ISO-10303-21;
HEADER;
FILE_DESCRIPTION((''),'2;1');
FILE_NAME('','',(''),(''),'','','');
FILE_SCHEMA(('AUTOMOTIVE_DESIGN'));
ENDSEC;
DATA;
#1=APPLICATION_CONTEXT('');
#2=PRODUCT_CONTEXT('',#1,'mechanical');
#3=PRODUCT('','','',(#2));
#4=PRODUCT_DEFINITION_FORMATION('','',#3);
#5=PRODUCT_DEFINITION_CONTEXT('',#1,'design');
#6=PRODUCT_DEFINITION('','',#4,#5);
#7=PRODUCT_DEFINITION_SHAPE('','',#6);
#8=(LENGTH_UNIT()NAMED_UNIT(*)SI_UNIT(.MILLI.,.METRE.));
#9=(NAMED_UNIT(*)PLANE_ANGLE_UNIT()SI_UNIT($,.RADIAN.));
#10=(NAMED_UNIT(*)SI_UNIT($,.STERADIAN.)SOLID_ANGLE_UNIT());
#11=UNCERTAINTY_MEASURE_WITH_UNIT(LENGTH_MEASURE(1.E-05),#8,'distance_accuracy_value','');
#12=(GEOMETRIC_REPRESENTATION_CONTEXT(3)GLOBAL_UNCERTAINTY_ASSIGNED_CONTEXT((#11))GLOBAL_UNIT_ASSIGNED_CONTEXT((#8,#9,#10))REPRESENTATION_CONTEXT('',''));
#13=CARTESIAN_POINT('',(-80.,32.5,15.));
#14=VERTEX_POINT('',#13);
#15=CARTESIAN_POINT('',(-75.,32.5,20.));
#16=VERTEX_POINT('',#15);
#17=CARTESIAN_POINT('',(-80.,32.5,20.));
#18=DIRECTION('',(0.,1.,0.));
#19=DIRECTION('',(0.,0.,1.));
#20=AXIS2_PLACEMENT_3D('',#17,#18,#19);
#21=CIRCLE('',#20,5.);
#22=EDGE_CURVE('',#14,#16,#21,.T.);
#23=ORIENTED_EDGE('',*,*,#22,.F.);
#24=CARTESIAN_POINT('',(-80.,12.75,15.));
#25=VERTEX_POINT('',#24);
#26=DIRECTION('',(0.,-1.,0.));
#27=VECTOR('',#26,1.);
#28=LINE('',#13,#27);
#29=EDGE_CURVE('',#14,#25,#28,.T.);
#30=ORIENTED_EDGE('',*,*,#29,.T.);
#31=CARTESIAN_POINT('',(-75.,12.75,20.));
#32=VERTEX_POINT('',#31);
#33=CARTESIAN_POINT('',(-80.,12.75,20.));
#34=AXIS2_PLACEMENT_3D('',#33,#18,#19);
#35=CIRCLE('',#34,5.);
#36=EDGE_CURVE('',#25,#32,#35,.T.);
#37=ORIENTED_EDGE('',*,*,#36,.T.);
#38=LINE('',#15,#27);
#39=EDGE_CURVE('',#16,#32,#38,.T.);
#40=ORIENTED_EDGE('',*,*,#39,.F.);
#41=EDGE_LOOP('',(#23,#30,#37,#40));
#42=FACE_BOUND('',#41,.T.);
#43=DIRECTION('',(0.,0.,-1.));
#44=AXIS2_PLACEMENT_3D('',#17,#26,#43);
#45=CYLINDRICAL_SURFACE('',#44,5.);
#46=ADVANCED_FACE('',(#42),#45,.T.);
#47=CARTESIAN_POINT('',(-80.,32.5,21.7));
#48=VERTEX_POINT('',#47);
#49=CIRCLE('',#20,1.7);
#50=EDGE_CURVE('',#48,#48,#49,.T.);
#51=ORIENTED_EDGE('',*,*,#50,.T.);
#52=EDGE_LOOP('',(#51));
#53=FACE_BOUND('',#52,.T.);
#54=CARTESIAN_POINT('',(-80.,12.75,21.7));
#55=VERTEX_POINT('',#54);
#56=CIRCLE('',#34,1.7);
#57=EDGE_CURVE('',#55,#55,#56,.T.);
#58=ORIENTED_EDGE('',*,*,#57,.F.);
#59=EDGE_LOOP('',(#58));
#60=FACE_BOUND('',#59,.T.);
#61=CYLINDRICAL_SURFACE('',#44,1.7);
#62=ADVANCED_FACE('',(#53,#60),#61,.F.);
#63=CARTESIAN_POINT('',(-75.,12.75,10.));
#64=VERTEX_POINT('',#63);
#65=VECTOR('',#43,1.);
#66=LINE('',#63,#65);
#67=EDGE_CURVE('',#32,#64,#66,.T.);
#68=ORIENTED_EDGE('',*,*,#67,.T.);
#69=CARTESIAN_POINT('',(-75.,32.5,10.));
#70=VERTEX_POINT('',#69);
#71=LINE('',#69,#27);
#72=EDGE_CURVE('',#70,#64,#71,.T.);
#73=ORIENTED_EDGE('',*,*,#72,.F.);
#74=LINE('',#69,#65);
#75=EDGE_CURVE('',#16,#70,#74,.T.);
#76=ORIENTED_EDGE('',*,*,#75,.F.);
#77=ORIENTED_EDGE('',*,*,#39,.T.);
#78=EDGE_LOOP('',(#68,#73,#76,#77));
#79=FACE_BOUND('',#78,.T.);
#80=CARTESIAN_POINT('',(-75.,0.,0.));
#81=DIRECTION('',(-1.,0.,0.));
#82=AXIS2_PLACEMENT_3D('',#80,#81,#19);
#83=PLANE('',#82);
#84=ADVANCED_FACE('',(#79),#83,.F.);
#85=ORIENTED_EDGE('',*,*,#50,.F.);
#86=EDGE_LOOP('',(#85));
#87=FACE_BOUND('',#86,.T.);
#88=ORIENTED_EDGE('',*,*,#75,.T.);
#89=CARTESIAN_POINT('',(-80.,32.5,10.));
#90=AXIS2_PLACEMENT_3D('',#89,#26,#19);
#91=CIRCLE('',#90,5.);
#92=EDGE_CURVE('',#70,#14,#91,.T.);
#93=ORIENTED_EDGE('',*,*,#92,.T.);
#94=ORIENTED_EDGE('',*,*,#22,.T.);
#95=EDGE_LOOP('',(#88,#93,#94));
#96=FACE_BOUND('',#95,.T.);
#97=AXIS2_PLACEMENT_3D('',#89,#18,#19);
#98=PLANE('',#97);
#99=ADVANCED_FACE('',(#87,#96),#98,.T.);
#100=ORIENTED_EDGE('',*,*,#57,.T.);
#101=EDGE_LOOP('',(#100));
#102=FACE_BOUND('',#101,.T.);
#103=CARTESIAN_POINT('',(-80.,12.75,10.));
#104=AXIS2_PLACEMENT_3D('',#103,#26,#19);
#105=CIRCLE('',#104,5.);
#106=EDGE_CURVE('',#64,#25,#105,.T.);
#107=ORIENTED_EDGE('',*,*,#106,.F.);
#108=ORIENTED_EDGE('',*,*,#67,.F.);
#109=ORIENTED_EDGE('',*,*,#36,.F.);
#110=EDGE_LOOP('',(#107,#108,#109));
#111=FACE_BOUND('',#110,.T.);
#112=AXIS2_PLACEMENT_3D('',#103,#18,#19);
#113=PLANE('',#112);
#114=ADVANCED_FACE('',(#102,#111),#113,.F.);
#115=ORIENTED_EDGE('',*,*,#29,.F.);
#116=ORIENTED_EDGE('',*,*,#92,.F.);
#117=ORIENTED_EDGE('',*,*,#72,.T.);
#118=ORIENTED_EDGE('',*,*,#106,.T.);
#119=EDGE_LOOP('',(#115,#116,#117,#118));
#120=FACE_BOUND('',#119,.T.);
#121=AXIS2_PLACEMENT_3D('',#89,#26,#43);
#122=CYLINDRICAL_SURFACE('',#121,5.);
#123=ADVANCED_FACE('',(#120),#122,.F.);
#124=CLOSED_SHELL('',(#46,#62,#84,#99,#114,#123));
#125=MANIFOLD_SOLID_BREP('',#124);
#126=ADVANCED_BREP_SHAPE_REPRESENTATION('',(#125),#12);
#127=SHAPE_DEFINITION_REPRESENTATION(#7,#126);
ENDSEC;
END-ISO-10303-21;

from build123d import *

# Parameters (mm, degrees)
BOSS_EXTRUDE1_DEPTH      = 20
SHELL1_T                 = -10
SHELL1_THICKNESS_2_DEPTH = 6
SKETCH3_R                = 32.5
CUT_EXTRUDE5_DEPTH       = 119.84864324
CUT_EXTRUDE6_DEPTH       = 119.84864324
SKETCH5_R                = 17.5
CUT_EXTRUDE7_DEPTH       = 119.84864324
SKETCH6_R                = 1.7
BOSS_EXTRUDE2_DEPTH      = 50
SKETCH6_2_R              = 1.7
CUT_EXTRUDE8_DEPTH       = 35
SKETCH9_R                = 1.7
BOSS_EXTRUDE3_DEPTH      = 32.5
SKETCH9_2_R              = 1.7
CUT_EXTRUDE10_DEPTH      = 12.75
CUT_EXTRUDE9_DEPTH       = 2
FILLET1_R                = 5
FILLET2_R                = 0.5
SKETCH10_W               = 46.141745146
SKETCH10_H               = 188.45260123
CUT_EXTRUDE11_DEPTH      = 186.270073136


with BuildPart() as part:
    # Sketch1 → Boss-Extrude1 (new body)
    with BuildSketch(Plane.XY):
        with BuildLine():
            Line((55, -90), (-55, -90))
            ThreePointArc((-55, -90), (-69.142135624, -84.142135624), (-75, -70))
            Line((-75, -70), (-75, 70))
            ThreePointArc((-75, 70), (-69.142135624, 84.142135624), (-55, 90))
            Line((-55, 90), (55, 90))
            ThreePointArc((55, 90), (69.142135624, 84.142135624), (75, 70))
            Line((75, 70), (75, -70))
            ThreePointArc((75, -70), (69.142135624, -84.142135624), (55, -90))
        make_face()
    extrude(amount=BOSS_EXTRUDE1_DEPTH)

    # Shell1
    shell1_openings = [part.faces().sort_by_distance(p)[0] for p in [
        (0, 0, 20),
    ]]
    offset(amount=SHELL1_T, openings=shell1_openings, kind=Kind.INTERSECTION)

    # Shell1 thickness 2 face (on inner face of the shell) → Shell1 thickness 2 (cut)
    with BuildSketch(Plane(origin=(0, 0, 10), x_dir=(-1, 0, 0), z_dir=(0, 0, -1))):
        with BuildLine():
            ThreePointArc((-55, -80), (-62.071067812, -77.071067812), (-65, -70))
            Line((-65, -70), (-65, 70))
            ThreePointArc((-65, 70), (-62.071067812, 77.071067812), (-55, 80))
            Line((-55, 80), (55, 80))
            ThreePointArc((55, 80), (62.071067812, 77.071067812), (65, 70))
            Line((65, 70), (65, -70))
            ThreePointArc((65, -70), (62.071067812, -77.071067812), (55, -80))
            Line((55, -80), (-55, -80))
        make_face()
    extrude(amount=SHELL1_THICKNESS_2_DEPTH, mode=Mode.SUBTRACT)

    # Sketch3 → Cut-Extrude5 (cut, through all)
    with BuildSketch(Plane.XY):
        with Locations((0, -36.75)):
            Circle(SKETCH3_R)
    extrude(amount=CUT_EXTRUDE5_DEPTH, mode=Mode.SUBTRACT)

    # Sketch4 → Cut-Extrude6 (cut, through all)
    with BuildSketch(Plane.XY):
        with BuildLine():
            Line((-30.75, 13.25), (-9.25, 13.25))
            ThreePointArc((-9.25, 13.25), (-8.542893219, 13.542893219), (-8.25, 14.25))
            Line((-8.25, 14.25), (-8.25, 35.75))
            ThreePointArc((-8.25, 35.75), (-8.542893219, 36.457106781), (-9.25, 36.75))
            Line((-9.25, 36.75), (-30.75, 36.75))
            ThreePointArc((-30.75, 36.75), (-31.457106781, 36.457106781), (-31.75, 35.75))
            Line((-31.75, 35.75), (-31.75, 14.25))
            ThreePointArc((-31.75, 14.25), (-31.457106781, 13.542893219), (-30.75, 13.25))
        make_face()
    extrude(amount=CUT_EXTRUDE6_DEPTH, mode=Mode.SUBTRACT)

    # Sketch5 → Cut-Extrude7 (cut, through all)
    with BuildSketch(Plane.XY):
        with Locations((20, 25)):
            Circle(SKETCH5_R)
    extrude(amount=CUT_EXTRUDE7_DEPTH, mode=Mode.SUBTRACT)

    # Sketch6 → Boss-Extrude2 (add, symmetric)
    with BuildSketch(Plane(origin=(0, 0, 0), x_dir=(1, 0, 0), z_dir=(0, 1, 0))):
        with BuildLine():
            Line((75, -20), (75, -10))
            ThreePointArc((75, -10), (76.464466094, -13.535533906), (80, -15))
            ThreePointArc((80, -15), (83.535533906, -23.535533906), (75, -20))
        make_face()
        with Locations((80, -20)):
            Circle(SKETCH6_R, mode=Mode.SUBTRACT)
    extrude(amount=BOSS_EXTRUDE2_DEPTH, both=True)

    # Sketch6<2> → Cut-Extrude8 (cut, symmetric)
    with BuildSketch(Plane(origin=(0, 0, 0), x_dir=(1, 0, 0), z_dir=(0, 1, 0))):
        with BuildLine():
            Line((75, -20), (75, -10))
            ThreePointArc((75, -10), (76.464466094, -13.535533906), (80, -15))
            ThreePointArc((80, -15), (83.535533906, -23.535533906), (75, -20))
        make_face()
        with Locations((80, -20)):
            Circle(SKETCH6_2_R, mode=Mode.SUBTRACT)
    extrude(amount=CUT_EXTRUDE8_DEPTH, both=True, mode=Mode.SUBTRACT)

    # Sketch9 → Boss-Extrude3 (add, symmetric)
    with BuildSketch(Plane(origin=(0, 0, 0), x_dir=(1, 0, 0), z_dir=(0, 1, 0))):
        with BuildLine():
            Line((-75, -10), (-75, -20))
            ThreePointArc((-75, -20), (-83.535533906, -23.535533906), (-80, -15))
            ThreePointArc((-80, -15), (-76.464466094, -13.535533906), (-75, -10))
        make_face()
        with Locations((-80, -20)):
            Circle(SKETCH9_R, mode=Mode.SUBTRACT)
    extrude(amount=BOSS_EXTRUDE3_DEPTH, both=True)

    # Sketch9<2> → Cut-Extrude10 (cut, symmetric)
    with BuildSketch(Plane(origin=(0, 0, 0), x_dir=(1, 0, 0), z_dir=(0, 1, 0))):
        with BuildLine():
            Line((-75, -10), (-75, -20))
            ThreePointArc((-75, -20), (-83.535533906, -23.535533906), (-80, -15))
            ThreePointArc((-80, -15), (-76.464466094, -13.535533906), (-75, -10))
        make_face()
        with Locations((-80, -20)):
            Circle(SKETCH9_2_R, mode=Mode.SUBTRACT)
    extrude(amount=CUT_EXTRUDE10_DEPTH, both=True, mode=Mode.SUBTRACT)

    # Sketch7 → Cut-Extrude9 (cut)
    with BuildSketch(Plane.XY.offset(4)):
        with BuildLine():
            Line((-26, -0.75), (26, -0.75))
            ThreePointArc((26, -0.75), (33.071067812, -3.678932188), (36, -10.75))
            Line((36, -10.75), (36, -62.75))
            ThreePointArc((36, -62.75), (33.071067812, -69.821067812), (26, -72.75))
            Line((26, -72.75), (-26, -72.75))
            ThreePointArc((-26, -72.75), (-33.071067812, -69.821067812), (-36, -62.75))
            Line((-36, -62.75), (-36, -10.75))
            ThreePointArc((-36, -10.75), (-33.071067812, -3.678932188), (-26, -0.75))
        make_face()
        with BuildLine():
            Line((8, 47), (32, 47))
            ThreePointArc((32, 47), (39.071067812, 44.071067812), (42, 37))
            Line((42, 37), (42, 13))
            ThreePointArc((42, 13), (39.071067812, 5.928932188), (32, 3))
            Line((32, 3), (8, 3))
            ThreePointArc((8, 3), (0.928932188, 5.928932188), (-2, 13))
            Line((-2, 13), (-2, 37))
            ThreePointArc((-2, 37), (0.928932188, 44.071067812), (8, 47))
        make_face()
    extrude(amount=-CUT_EXTRUDE9_DEPTH, mode=Mode.SUBTRACT)

    # Fillet1
    fillet1_edges = [part.edges().sort_by_distance(p)[0] for p in [
        (75, 0, 0),
        (69.142135624, -84.142135624, 0),
        (0, -90, 0),
        (-69.142135624, -84.142135624, 0),
        (-75, 0, 0),
        (-69.142135624, 84.142135624, 0),
        (0, 90, 0),
        (69.142135624, 84.142135624, 0),
        (0, 80, 4),
        (62.071067812, 77.071067812, 4),
        (65, 0, 4),
        (62.071067812, -77.071067812, 4),
        (0, -80, 4),
        (-62.071067812, -77.071067812, 4),
        (-65, 0, 4),
        (-62.071067812, 77.071067812, 4),
    ]]
    fillet(fillet1_edges, radius=FILLET1_R)

    # Fillet2
    fillet2_edges = [part.edges().sort_by_distance(p)[0] for p in [
        (-8.542893219, 13.542893219, 0),
        (-20, 13.25, 0),
        (-31.457106781, 13.542893219, 0),
        (-31.75, 25, 0),
        (-31.457106781, 36.457106781, 0),
        (-20, 36.75, 0),
        (-8.542893219, 36.457106781, 0),
        (75, 60, 20),
        (69.142135624, 84.142135624, 20),
        (0, 90, 20),
        (-69.142135624, 84.142135624, 20),
        (75, -60, 20),
        (69.142135624, -84.142135624, 20),
        (0, -90, 20),
        (-69.142135624, -84.142135624, 20),
        (-62.071067812, 77.071067812, 20),
        (0, 80, 20),
        (62.071067812, 77.071067812, 20),
        (65, 0, 20),
        (62.071067812, -77.071067812, 20),
        (0, -80, 20),
        (-62.071067812, -77.071067812, 20),
        (-8.25, 25, 0),
        (2.5, 25, 0),
        (75, 0, 20),
        (-75, 51.25, 20),
        (-75, -51.25, 20),
        (-75, 0, 20),
        (-65, 0, 20),
        (-32.5, -36.75, 0),
        (0.928932188, 44.071067812, 4),
        (20, 47, 4),
        (39.071067812, 44.071067812, 4),
        (42, 25, 4),
        (39.071067812, 5.928932188, 4),
        (20, 3, 4),
        (0.928932188, 5.928932188, 4),
        (33.071067812, -3.678932188, 4),
        (36, -36.75, 4),
        (33.071067812, -69.821067812, 4),
        (0, -72.75, 4),
        (-33.071067812, -69.821067812, 4),
        (-36, -36.75, 4),
        (-33.071067812, -3.678932188, 4),
        (-2, 25, 4),
        (0, -0.75, 4),
    ]]
    fillet(fillet2_edges, radius=FILLET2_R)

    # Sketch10 → Cut-Extrude11 (cut, through all)
    with BuildSketch(Plane.ZY.offset(75)):
        with Locations((9.585784517, 0.121425645)):
            Rectangle(SKETCH10_W, SKETCH10_H)
    extrude(amount=-CUT_EXTRUDE11_DEPTH, mode=Mode.SUBTRACT)


with BuildPart() as body_2:
    # of the pieces the cut leaves, the one that is kept (cut_extrude11_keep)
    add(part.part.solids().sort_by_distance((-75, 12.75, 20))[0])


solid = body_2.part
